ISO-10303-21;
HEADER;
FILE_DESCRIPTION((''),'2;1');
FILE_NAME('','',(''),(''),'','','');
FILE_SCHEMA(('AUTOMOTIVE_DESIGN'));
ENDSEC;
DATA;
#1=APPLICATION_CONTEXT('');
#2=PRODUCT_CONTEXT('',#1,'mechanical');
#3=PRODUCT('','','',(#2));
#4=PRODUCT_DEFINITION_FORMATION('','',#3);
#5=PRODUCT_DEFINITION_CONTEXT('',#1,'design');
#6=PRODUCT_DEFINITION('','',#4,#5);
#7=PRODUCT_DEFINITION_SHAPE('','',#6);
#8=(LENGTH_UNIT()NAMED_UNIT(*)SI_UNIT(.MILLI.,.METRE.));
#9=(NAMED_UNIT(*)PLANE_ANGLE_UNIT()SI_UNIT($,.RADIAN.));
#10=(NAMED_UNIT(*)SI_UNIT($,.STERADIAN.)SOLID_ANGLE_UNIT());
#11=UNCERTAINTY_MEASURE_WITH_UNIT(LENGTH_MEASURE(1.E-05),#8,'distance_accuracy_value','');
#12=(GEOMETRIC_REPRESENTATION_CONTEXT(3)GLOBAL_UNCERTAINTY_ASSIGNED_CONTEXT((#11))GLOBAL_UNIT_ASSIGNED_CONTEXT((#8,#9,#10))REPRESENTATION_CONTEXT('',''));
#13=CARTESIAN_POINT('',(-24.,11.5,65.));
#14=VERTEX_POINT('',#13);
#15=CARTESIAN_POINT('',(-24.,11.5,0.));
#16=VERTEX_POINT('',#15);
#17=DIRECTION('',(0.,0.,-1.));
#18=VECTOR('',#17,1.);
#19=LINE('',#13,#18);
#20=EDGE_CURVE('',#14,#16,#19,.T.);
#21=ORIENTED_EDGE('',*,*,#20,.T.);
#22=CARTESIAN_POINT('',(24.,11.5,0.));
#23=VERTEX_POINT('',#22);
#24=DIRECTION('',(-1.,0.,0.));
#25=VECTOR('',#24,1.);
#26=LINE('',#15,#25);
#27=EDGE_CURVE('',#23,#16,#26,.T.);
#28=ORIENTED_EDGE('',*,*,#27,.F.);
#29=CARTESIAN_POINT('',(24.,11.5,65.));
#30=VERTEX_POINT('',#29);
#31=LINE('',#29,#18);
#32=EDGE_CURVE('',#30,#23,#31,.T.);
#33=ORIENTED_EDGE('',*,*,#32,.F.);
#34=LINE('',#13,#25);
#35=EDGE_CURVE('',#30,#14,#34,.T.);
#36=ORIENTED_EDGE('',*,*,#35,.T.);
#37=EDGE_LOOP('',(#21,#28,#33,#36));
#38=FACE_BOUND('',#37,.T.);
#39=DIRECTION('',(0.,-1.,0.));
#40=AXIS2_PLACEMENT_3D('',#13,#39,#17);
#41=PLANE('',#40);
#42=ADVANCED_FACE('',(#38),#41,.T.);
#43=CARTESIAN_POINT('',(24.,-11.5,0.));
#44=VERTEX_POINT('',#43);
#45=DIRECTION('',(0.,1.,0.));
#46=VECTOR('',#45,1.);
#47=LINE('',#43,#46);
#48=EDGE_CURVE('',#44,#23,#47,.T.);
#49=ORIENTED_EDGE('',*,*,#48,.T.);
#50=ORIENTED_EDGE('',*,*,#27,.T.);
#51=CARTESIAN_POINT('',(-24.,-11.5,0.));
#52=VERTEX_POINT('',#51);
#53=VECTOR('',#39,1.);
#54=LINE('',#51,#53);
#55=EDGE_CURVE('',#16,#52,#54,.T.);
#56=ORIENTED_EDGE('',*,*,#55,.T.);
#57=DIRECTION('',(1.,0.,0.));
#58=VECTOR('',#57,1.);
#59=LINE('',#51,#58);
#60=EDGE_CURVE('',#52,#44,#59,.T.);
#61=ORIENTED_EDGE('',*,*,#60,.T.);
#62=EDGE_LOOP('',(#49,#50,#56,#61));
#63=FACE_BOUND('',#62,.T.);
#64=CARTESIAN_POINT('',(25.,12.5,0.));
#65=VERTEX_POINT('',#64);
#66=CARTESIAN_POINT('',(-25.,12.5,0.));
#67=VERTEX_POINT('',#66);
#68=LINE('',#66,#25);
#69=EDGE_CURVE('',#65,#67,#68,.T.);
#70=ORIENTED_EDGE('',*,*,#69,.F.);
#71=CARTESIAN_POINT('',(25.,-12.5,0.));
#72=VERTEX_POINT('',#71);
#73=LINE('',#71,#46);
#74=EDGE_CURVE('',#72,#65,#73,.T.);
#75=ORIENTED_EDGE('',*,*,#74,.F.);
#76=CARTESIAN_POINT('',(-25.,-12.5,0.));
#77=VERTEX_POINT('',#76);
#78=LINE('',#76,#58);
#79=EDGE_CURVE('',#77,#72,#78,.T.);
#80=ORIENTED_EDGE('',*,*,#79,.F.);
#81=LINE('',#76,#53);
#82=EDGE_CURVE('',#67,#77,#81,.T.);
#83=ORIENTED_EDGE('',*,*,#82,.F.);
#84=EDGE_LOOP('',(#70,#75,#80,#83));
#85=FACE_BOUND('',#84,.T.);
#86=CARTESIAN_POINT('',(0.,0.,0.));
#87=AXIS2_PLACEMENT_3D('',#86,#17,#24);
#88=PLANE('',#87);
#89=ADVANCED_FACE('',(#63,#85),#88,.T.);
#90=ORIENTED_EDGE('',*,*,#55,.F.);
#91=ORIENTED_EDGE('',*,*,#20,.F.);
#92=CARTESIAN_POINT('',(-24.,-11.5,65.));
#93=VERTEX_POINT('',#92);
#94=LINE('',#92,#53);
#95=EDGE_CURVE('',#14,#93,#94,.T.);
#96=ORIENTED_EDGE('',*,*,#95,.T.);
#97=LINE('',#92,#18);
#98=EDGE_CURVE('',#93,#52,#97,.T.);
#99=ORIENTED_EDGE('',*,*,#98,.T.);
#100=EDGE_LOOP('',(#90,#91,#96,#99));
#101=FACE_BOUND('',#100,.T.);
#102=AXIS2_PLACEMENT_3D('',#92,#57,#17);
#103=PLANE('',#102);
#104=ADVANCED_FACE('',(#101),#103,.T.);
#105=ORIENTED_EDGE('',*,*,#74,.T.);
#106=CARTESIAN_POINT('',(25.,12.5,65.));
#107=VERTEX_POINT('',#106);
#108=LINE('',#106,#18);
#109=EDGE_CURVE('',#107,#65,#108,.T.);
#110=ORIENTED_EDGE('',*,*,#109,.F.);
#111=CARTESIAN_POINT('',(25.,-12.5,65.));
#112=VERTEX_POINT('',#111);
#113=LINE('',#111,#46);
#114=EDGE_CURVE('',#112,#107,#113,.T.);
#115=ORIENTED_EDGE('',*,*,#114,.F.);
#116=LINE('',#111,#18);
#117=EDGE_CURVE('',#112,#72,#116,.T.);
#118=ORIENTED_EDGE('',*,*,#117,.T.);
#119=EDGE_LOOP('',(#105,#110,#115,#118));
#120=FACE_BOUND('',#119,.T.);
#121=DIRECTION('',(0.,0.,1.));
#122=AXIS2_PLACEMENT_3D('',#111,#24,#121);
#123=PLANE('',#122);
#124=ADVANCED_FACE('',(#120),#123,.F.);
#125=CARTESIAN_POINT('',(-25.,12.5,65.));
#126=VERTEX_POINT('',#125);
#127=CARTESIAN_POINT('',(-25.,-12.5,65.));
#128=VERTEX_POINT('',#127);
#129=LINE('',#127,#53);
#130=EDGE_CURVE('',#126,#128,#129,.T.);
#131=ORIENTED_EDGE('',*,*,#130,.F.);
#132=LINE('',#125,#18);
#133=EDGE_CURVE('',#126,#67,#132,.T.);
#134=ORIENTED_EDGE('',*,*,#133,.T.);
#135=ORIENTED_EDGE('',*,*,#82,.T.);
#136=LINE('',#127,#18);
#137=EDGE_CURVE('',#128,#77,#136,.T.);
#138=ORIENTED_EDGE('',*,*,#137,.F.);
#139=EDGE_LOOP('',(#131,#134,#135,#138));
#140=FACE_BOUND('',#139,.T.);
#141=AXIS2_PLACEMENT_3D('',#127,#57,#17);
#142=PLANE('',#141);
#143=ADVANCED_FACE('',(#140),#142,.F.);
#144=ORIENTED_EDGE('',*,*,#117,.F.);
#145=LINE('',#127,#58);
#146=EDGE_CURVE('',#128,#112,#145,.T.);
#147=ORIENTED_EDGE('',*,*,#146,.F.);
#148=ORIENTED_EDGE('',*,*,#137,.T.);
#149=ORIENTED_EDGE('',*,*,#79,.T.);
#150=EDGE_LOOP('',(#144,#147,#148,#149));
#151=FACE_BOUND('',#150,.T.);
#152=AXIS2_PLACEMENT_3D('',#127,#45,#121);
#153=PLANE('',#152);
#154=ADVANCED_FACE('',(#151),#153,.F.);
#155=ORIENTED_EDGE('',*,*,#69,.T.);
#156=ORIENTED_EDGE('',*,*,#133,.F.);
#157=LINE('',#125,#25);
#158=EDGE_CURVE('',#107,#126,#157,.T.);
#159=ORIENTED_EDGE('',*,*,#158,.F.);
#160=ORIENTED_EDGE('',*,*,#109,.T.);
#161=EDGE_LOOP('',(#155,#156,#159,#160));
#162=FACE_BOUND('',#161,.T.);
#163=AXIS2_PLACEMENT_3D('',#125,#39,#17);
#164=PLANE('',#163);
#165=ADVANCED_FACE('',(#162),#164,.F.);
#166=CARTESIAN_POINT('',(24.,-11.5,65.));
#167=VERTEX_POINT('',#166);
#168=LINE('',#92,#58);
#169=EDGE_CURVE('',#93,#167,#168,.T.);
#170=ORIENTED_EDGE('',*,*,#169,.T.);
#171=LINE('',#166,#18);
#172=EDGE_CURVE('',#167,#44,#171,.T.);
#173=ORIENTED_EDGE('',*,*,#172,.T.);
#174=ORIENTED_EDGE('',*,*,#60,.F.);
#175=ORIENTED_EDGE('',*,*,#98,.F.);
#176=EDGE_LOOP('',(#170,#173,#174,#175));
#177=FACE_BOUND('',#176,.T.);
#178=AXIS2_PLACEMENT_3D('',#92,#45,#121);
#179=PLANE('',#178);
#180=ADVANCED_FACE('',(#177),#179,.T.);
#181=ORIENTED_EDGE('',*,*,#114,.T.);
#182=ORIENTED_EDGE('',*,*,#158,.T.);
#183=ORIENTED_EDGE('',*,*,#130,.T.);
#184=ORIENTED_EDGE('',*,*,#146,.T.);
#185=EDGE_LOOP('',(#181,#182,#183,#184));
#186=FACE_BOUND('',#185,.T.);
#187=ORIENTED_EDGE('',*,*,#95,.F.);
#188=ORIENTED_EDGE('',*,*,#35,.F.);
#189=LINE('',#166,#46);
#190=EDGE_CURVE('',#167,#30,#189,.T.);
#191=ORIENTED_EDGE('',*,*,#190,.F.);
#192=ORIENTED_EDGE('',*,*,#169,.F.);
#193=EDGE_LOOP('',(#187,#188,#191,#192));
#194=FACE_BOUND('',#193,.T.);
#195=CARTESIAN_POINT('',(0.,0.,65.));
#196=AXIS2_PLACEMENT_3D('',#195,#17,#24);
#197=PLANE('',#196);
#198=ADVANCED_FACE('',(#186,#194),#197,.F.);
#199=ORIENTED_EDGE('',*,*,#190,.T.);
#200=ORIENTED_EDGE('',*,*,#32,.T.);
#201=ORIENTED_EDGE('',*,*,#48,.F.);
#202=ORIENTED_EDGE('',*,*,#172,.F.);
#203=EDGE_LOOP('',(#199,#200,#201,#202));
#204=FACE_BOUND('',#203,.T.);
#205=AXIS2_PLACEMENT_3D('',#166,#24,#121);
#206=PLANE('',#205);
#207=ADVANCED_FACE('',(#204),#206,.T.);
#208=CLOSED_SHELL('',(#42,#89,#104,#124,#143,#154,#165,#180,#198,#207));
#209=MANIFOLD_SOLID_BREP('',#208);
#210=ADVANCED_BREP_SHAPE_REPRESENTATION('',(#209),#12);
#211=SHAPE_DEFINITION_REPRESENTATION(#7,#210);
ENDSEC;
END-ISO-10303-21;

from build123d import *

# Parameters (mm, degrees)
SKETCH1_W           = 50
SKETCH1_H           = 25
SKETCH1_W_2         = 48
SKETCH1_H_2         = 23
BOSS_EXTRUDE1_DEPTH = 65


with BuildPart() as part:
    # Sketch1 → Boss-Extrude1 (new body)
    with BuildSketch(Plane.XY):
        Rectangle(SKETCH1_W, SKETCH1_H)
        Rectangle(SKETCH1_W_2, SKETCH1_H_2, mode=Mode.SUBTRACT)
    extrude(amount=BOSS_EXTRUDE1_DEPTH)


solid = part.part
